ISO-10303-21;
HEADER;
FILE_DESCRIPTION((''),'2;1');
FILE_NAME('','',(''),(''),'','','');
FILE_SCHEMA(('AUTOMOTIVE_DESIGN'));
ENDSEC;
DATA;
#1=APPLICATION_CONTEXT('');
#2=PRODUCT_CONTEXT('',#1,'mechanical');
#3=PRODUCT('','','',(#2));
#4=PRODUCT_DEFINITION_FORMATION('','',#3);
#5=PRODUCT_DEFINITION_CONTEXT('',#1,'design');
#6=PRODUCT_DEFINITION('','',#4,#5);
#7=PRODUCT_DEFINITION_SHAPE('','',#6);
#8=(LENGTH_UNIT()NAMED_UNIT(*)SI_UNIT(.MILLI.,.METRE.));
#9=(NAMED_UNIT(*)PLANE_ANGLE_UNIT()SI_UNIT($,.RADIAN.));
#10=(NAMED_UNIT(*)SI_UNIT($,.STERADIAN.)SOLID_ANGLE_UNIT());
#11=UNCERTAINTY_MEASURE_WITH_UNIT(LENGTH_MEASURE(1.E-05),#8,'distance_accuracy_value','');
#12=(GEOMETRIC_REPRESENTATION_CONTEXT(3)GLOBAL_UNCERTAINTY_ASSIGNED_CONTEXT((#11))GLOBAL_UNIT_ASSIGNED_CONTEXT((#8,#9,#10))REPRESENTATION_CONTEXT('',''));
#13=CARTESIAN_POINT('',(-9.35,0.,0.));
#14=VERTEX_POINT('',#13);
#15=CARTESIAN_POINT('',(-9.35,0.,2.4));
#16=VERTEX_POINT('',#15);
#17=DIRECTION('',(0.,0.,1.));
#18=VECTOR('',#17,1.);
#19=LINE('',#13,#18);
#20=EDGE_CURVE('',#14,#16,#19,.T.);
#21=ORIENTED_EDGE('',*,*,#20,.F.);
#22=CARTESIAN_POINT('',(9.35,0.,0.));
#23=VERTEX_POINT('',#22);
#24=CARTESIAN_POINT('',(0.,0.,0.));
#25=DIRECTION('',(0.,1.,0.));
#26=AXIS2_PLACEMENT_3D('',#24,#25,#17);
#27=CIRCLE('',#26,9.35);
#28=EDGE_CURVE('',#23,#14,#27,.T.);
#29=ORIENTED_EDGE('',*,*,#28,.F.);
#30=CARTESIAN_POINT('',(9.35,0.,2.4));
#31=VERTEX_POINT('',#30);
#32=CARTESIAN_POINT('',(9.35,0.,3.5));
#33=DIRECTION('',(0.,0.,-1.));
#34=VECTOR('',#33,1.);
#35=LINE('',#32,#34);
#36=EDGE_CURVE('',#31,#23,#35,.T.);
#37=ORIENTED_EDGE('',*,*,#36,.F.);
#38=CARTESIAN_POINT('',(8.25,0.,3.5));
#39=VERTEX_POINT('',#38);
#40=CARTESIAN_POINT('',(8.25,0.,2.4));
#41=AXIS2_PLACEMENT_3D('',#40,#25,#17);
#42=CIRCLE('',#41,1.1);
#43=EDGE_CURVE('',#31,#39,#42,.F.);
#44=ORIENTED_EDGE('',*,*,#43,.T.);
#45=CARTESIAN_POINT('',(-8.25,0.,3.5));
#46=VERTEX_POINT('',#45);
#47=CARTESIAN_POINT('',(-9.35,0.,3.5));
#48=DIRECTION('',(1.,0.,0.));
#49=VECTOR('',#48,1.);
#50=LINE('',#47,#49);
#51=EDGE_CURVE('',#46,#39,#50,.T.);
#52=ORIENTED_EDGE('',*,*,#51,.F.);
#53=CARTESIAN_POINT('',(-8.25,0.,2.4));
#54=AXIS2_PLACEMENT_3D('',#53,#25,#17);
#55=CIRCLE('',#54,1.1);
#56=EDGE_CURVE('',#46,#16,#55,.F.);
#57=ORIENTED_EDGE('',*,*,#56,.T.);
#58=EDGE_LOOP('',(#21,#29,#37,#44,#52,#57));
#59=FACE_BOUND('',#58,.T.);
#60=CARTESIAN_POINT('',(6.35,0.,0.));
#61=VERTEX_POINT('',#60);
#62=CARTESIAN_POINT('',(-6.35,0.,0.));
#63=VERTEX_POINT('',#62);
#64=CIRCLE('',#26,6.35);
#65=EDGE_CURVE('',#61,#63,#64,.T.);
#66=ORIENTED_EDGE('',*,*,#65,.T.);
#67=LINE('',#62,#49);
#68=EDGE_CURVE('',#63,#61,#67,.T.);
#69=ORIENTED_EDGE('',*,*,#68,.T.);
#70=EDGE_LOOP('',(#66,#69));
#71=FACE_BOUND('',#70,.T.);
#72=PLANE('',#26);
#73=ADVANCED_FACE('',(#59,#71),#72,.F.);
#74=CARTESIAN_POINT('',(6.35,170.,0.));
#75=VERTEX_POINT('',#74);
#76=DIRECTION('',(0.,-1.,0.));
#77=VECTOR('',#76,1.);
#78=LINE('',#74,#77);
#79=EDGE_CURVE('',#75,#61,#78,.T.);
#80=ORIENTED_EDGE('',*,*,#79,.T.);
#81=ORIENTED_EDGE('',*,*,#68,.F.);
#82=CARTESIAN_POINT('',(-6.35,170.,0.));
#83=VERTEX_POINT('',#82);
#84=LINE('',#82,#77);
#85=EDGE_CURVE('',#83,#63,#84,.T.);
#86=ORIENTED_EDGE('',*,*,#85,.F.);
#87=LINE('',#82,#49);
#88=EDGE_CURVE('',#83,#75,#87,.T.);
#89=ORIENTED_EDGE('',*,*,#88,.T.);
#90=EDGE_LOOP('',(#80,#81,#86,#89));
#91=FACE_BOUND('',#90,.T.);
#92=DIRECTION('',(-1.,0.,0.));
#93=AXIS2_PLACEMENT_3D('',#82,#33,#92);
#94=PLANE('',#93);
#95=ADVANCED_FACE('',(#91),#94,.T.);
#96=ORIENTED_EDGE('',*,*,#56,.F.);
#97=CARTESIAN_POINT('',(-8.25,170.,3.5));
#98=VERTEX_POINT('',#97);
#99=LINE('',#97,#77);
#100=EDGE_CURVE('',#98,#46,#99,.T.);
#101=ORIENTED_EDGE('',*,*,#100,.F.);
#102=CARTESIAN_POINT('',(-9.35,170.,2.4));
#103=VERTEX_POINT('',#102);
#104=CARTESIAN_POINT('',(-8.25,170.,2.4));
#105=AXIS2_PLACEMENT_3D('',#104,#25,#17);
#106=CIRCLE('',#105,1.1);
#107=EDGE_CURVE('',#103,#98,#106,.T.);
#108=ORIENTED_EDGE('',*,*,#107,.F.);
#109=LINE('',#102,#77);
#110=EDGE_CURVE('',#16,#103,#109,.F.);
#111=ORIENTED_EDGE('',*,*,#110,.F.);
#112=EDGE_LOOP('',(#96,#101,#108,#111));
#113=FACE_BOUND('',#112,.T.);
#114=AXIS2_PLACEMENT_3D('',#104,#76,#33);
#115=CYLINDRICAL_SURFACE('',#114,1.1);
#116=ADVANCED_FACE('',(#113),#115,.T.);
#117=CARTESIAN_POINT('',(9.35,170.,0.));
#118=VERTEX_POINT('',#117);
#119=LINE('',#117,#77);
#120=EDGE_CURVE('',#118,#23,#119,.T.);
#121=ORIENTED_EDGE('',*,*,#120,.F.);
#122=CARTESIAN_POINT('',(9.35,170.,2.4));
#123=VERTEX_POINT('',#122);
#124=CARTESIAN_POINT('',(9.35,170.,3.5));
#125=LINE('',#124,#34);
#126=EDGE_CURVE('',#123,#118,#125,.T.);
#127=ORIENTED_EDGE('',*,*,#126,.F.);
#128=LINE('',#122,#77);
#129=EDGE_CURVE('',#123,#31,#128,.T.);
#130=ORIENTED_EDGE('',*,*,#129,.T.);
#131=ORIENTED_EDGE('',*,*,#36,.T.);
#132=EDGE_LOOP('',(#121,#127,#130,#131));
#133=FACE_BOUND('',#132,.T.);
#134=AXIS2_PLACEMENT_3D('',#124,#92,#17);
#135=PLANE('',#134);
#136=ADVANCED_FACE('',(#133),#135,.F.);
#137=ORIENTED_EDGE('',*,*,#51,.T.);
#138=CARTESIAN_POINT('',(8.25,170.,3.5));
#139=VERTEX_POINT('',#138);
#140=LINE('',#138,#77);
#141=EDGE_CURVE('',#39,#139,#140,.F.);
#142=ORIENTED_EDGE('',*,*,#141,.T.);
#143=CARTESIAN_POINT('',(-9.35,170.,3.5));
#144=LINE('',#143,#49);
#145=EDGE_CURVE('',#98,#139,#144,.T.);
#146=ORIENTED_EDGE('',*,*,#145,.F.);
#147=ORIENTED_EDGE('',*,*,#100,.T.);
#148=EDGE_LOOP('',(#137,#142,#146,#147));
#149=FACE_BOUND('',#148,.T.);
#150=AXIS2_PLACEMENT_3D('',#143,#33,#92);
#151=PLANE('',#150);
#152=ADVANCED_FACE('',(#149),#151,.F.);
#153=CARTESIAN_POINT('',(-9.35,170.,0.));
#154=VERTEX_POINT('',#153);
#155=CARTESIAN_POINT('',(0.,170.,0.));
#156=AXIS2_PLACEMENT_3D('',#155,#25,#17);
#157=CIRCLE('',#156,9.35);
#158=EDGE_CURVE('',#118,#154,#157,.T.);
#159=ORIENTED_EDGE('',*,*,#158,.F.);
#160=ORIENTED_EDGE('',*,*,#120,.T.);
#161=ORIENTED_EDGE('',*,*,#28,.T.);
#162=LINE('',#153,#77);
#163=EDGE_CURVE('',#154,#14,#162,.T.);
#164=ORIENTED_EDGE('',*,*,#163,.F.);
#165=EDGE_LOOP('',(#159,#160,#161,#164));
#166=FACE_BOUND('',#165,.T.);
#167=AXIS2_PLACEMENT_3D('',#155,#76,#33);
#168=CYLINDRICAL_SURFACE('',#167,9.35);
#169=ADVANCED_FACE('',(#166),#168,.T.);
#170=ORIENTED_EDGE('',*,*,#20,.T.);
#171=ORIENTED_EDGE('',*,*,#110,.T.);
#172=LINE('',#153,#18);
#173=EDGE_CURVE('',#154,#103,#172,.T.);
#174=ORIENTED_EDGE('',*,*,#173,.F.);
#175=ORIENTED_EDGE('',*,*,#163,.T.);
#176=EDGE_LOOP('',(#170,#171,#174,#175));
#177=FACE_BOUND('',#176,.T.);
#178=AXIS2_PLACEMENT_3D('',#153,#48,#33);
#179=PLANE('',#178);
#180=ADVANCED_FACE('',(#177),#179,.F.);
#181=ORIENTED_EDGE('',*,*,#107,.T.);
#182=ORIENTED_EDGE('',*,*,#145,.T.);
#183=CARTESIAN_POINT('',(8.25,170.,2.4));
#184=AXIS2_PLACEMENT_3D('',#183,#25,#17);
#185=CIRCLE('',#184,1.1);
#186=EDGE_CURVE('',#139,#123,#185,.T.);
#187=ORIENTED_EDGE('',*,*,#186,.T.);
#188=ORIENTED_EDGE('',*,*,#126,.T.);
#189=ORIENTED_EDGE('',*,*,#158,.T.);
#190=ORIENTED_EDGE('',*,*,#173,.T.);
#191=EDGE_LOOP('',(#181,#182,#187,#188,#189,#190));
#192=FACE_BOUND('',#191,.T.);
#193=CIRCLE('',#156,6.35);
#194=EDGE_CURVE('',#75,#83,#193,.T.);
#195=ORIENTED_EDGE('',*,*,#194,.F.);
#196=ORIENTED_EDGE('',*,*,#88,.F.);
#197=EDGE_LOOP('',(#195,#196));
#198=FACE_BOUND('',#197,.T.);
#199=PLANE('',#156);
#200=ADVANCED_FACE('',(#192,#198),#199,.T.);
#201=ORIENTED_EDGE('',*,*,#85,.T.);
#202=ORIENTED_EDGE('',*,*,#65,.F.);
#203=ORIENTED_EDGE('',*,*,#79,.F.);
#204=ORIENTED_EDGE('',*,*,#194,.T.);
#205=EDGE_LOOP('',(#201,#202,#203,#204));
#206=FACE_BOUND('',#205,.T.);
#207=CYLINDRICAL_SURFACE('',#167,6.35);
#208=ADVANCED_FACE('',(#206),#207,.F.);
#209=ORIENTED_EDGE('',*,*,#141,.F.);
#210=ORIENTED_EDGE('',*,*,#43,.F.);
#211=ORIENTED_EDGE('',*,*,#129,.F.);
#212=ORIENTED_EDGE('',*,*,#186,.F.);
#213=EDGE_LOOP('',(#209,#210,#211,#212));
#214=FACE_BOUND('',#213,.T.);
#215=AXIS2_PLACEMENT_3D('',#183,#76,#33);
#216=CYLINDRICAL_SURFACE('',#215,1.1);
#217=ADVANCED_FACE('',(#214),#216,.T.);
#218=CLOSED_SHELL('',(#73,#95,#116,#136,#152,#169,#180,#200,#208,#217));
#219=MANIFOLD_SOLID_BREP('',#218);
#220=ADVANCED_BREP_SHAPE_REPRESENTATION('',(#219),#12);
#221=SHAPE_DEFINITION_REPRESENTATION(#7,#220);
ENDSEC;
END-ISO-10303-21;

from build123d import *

# Parameters (mm, degrees)
SEMICIRCULAR_TUBE_DEPTH = 170
FILLET_EDGES_R          = 1.1


with BuildPart() as part:
    # Sketch1 → semicircular tube (new body)
    with BuildSketch(Plane(origin=(0, 0, 0), x_dir=(1, 0, 0), z_dir=(0, 1, 0))):
        with BuildLine():
            Line((-9.35, 0), (-9.35, -3.5))
            Line((-9.35, -3.5), (9.35, -3.5))
            Line((9.35, -3.5), (9.35, 0))
            ThreePointArc((9.35, 0), (0, 9.35), (-9.35, 0))
        make_face()
        with BuildLine():
            Line((-6.35, 0), (6.35, 0))
            ThreePointArc((6.35, 0), (0, 6.35), (-6.35, 0))
        make_face(mode=Mode.SUBTRACT)
    extrude(amount=SEMICIRCULAR_TUBE_DEPTH)

    # fillet edges
    fillet_edges_edges = [part.edges().sort_by_distance(p)[0] for p in [
        (9.35, 85, 3.5),
        (-9.35, 85, 3.5),
    ]]
    fillet(fillet_edges_edges, radius=FILLET_EDGES_R)


solid = part.part
